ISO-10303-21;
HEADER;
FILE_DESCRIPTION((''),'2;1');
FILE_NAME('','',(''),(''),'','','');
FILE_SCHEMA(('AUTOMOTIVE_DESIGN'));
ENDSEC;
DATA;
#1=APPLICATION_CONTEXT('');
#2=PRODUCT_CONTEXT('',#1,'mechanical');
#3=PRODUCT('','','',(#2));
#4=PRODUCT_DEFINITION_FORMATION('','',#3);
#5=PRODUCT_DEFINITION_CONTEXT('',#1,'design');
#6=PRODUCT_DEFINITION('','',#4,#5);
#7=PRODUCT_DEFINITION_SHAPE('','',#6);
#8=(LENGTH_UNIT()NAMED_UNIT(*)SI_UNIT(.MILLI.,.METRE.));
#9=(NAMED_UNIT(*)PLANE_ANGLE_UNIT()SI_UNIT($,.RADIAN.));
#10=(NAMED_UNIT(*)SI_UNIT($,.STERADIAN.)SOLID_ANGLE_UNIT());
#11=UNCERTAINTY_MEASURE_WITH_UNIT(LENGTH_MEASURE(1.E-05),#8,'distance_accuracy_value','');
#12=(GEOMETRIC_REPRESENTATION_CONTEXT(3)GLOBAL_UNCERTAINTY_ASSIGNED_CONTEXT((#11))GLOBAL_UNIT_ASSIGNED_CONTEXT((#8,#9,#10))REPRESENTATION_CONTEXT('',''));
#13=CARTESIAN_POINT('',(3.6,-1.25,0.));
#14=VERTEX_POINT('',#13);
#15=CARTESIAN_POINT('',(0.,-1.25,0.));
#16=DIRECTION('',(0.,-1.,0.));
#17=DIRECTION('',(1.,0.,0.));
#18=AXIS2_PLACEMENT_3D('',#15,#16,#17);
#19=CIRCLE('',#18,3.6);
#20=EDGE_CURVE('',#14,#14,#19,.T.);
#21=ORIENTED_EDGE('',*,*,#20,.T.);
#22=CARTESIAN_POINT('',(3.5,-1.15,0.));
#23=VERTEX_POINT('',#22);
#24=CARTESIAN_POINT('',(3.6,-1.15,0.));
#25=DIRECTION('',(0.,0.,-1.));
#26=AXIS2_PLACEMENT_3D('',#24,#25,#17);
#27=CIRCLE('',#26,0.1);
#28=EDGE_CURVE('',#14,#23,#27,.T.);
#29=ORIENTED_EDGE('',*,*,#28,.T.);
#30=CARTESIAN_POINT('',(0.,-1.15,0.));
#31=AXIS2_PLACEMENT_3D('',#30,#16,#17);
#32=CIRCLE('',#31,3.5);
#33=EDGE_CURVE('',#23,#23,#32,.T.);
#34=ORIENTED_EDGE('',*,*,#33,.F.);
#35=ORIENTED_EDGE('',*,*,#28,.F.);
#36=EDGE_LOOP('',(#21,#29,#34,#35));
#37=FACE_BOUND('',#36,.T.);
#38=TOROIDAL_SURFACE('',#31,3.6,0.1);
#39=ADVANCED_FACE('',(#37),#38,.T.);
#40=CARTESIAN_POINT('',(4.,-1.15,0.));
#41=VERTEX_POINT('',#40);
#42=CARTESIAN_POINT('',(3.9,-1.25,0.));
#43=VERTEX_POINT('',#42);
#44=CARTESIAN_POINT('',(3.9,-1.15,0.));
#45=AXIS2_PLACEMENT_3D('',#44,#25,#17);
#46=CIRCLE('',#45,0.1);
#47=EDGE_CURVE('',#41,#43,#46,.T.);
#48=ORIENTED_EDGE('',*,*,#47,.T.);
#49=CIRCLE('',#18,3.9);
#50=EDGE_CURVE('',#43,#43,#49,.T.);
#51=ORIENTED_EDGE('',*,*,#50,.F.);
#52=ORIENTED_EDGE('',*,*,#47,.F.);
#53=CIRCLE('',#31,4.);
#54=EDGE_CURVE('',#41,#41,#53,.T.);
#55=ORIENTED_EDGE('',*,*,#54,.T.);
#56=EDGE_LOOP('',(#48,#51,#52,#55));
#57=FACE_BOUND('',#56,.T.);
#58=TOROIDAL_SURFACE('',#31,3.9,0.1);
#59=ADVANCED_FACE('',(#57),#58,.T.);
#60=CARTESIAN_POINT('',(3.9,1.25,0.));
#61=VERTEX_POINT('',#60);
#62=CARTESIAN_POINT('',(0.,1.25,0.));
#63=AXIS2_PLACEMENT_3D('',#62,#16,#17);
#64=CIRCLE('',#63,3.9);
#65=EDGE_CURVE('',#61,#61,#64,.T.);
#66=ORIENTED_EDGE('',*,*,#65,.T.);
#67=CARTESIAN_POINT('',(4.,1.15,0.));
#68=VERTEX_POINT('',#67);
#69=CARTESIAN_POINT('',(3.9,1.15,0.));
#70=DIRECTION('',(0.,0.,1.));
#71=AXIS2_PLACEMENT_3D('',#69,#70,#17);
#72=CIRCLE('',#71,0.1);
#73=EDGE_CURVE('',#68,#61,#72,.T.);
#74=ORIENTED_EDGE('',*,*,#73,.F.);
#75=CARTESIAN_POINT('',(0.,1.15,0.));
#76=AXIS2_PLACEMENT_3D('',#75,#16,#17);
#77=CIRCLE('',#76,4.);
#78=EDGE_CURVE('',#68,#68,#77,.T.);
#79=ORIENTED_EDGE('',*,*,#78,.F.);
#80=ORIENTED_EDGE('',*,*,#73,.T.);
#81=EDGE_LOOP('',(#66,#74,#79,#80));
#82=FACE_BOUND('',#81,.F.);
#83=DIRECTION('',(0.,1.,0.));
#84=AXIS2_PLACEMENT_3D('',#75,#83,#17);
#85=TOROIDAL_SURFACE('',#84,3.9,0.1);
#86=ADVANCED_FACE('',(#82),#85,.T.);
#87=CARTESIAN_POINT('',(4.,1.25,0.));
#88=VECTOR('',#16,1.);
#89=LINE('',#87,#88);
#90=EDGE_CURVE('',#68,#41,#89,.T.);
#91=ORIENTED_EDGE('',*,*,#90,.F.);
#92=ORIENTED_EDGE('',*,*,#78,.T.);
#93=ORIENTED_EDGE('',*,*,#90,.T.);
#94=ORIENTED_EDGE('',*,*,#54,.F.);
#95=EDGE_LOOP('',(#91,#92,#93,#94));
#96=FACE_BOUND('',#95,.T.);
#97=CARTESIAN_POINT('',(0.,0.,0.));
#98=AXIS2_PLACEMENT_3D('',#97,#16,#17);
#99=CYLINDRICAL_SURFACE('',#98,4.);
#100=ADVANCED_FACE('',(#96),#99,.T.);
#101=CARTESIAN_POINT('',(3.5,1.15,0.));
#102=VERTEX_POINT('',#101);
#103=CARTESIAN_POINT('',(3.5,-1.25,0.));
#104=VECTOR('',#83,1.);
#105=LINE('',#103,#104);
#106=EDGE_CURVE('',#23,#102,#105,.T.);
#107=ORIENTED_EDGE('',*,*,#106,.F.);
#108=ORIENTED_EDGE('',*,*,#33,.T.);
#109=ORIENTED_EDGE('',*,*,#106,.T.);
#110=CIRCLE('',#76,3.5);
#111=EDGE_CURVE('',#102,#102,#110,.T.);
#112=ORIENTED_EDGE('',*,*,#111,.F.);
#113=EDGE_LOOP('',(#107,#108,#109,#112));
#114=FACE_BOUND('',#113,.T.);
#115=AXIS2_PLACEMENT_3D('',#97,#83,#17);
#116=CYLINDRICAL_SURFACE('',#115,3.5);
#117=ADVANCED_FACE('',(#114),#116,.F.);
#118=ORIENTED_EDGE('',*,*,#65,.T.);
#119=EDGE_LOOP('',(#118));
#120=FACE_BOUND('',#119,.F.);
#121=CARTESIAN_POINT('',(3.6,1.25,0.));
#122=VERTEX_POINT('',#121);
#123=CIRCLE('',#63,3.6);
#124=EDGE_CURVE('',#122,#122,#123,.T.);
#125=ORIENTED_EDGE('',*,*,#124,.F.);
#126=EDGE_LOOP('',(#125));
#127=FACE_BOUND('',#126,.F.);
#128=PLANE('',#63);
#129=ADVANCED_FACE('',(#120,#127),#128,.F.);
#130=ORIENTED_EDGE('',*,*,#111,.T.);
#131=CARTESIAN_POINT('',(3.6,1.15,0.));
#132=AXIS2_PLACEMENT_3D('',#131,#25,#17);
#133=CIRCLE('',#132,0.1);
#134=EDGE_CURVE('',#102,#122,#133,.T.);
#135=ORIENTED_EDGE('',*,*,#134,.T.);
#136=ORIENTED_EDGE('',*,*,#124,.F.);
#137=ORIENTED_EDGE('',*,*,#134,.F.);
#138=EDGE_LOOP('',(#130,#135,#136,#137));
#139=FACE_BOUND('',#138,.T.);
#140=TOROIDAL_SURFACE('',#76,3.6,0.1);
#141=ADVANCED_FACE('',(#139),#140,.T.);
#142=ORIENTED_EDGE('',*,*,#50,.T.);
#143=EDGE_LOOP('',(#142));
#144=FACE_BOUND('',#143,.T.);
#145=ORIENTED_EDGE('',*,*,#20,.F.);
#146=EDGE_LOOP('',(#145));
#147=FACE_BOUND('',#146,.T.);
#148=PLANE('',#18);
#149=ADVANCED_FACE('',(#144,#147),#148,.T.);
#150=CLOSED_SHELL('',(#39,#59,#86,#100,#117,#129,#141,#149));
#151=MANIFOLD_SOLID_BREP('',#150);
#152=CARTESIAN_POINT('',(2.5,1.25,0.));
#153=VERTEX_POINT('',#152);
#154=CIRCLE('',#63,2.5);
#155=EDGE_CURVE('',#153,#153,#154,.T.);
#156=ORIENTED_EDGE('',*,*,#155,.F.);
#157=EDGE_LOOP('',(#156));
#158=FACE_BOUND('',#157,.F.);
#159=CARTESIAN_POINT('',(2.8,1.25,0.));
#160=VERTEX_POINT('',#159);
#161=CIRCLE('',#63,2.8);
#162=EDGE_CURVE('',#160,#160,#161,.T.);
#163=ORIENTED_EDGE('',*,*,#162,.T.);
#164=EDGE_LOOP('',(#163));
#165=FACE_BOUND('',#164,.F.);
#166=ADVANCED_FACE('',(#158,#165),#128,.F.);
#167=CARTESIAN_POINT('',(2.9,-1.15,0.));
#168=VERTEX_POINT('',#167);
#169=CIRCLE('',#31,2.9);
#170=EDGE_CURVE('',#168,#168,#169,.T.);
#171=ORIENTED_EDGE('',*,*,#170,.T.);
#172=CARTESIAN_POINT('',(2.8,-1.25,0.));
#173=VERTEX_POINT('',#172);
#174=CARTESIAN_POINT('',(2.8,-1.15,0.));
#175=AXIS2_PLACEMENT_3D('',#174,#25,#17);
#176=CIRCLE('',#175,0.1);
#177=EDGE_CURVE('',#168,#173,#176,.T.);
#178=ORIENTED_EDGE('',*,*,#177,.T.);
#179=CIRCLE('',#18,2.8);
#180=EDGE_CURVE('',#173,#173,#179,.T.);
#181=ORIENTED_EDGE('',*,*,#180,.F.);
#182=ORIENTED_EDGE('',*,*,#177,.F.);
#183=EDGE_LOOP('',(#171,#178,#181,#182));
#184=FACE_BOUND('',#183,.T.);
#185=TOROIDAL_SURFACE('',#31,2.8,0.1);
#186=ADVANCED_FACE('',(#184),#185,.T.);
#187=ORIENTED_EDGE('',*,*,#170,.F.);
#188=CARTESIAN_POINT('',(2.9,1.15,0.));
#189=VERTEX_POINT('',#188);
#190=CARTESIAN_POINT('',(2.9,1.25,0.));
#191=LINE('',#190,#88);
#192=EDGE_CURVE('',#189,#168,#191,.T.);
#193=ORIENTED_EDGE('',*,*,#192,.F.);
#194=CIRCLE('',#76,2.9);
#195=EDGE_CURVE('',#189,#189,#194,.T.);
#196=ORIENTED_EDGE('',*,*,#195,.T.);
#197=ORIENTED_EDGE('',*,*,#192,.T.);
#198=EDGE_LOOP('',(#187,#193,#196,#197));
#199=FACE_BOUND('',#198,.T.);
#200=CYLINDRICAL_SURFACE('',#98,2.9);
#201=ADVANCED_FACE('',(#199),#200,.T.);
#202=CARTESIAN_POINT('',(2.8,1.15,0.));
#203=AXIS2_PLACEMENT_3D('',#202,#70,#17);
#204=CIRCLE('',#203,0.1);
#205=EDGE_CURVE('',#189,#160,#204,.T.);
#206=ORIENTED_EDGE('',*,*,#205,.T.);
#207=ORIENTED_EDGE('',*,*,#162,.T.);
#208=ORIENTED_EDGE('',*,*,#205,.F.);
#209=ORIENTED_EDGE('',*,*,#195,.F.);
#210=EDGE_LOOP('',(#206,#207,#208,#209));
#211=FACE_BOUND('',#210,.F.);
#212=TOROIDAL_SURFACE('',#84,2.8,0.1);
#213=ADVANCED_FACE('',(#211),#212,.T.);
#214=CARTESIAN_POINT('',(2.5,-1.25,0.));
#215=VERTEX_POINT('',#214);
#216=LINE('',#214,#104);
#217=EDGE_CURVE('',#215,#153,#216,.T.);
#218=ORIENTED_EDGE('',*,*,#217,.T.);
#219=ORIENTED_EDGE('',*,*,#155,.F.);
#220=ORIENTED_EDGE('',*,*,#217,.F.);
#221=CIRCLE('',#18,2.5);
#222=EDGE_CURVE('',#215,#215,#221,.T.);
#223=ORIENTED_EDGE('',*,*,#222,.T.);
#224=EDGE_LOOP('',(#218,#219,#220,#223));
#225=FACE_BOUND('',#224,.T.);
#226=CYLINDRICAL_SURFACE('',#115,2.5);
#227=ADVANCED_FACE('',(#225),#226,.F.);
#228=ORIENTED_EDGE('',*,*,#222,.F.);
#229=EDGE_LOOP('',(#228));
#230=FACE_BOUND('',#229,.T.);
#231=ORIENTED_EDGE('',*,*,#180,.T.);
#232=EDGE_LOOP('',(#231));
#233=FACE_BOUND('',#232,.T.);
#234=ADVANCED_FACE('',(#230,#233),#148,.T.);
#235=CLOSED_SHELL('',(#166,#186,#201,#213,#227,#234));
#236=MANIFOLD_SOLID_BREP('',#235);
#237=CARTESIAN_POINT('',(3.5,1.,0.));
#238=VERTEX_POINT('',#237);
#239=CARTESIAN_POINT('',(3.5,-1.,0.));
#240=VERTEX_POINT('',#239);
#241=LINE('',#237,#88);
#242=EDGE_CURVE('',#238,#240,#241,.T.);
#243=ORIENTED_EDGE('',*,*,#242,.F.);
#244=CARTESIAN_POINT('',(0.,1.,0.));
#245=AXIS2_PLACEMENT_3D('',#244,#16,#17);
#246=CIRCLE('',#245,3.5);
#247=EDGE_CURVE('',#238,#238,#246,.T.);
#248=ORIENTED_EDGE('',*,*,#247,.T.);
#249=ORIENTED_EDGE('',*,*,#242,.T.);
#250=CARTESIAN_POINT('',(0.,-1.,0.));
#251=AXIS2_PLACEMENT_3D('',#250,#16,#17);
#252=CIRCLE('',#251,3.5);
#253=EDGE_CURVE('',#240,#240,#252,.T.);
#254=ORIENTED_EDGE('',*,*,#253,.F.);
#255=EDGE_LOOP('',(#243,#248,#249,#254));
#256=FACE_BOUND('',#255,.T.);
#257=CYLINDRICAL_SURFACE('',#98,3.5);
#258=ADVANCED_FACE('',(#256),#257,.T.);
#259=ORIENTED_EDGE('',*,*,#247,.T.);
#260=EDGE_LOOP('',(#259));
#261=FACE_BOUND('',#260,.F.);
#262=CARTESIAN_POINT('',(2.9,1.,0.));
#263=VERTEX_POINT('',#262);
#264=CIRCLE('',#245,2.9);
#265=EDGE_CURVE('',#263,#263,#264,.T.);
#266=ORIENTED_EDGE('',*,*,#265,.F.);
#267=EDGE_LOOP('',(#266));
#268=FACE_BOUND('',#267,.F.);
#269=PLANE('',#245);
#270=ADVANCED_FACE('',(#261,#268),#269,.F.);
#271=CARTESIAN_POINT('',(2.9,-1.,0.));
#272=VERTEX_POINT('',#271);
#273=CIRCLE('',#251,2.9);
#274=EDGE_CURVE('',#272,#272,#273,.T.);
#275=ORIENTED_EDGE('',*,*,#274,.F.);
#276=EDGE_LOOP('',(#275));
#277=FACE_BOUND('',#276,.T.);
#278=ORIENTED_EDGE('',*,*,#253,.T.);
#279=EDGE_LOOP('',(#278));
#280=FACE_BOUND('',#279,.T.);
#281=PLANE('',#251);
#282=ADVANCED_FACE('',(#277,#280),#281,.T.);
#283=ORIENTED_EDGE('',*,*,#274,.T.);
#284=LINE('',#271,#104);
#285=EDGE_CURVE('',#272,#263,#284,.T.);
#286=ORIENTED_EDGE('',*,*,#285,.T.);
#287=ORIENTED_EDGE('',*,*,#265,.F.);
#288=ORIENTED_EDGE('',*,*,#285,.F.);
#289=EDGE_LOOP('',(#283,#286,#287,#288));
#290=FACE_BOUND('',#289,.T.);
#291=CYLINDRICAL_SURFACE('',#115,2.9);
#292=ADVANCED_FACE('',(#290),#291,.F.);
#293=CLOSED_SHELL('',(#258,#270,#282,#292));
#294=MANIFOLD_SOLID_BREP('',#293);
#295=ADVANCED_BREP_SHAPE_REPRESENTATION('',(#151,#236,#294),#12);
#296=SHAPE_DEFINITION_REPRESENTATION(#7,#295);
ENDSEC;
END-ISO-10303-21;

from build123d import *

# Parameters (mm, degrees)
F0_R     = 2.9
F0_R_2   = 2.5
F1_DEPTH = 1.25
F0_R_3   = 4
F0_R_4   = 3.5
F2_DEPTH = 1
F3_R     = 0.1
F3_2_R   = 0.1


with BuildPart() as f1:
    # F0 (on Front) → F1 (new body, symmetric)
    with BuildSketch(Plane.XZ):
        Circle(F0_R)
        Circle(F0_R_2, mode=Mode.SUBTRACT)
    extrude(amount=F1_DEPTH, both=True)

    # F3
    f3_edges = [f1.edges().sort_by_distance(p)[0] for p in [
        (-2.9, 1.25, 0),
        (-2.9, -1.25, 0),
    ]]
    fillet(f3_edges, radius=F3_R)


with BuildPart() as f1b:
    # F0 (on Front) → F1, piece 2 (new body, symmetric)
    with BuildSketch(Plane.XZ):
        Circle(F0_R_3)
        Circle(F0_R_4, mode=Mode.SUBTRACT)
    extrude(amount=F1_DEPTH, both=True)

    # F3#2
    f3_2_edges = [f1b.edges().sort_by_distance(p)[0] for p in [
        (-4, 1.25, 0),
        (-3.5, 1.25, 0),
        (-4, -1.25, 0),
        (-3.5, -1.25, 0),
    ]]
    fillet(f3_2_edges, radius=F3_2_R)


with BuildPart() as f2:
    # F0 (on Front) → F2 (new body, symmetric)
    with BuildSketch(Plane.XZ):
        Circle(F0_R_4)
        Circle(F0_R, mode=Mode.SUBTRACT)
    extrude(amount=F2_DEPTH, both=True)


solid = Compound([f1.part, f1b.part, f2.part])
